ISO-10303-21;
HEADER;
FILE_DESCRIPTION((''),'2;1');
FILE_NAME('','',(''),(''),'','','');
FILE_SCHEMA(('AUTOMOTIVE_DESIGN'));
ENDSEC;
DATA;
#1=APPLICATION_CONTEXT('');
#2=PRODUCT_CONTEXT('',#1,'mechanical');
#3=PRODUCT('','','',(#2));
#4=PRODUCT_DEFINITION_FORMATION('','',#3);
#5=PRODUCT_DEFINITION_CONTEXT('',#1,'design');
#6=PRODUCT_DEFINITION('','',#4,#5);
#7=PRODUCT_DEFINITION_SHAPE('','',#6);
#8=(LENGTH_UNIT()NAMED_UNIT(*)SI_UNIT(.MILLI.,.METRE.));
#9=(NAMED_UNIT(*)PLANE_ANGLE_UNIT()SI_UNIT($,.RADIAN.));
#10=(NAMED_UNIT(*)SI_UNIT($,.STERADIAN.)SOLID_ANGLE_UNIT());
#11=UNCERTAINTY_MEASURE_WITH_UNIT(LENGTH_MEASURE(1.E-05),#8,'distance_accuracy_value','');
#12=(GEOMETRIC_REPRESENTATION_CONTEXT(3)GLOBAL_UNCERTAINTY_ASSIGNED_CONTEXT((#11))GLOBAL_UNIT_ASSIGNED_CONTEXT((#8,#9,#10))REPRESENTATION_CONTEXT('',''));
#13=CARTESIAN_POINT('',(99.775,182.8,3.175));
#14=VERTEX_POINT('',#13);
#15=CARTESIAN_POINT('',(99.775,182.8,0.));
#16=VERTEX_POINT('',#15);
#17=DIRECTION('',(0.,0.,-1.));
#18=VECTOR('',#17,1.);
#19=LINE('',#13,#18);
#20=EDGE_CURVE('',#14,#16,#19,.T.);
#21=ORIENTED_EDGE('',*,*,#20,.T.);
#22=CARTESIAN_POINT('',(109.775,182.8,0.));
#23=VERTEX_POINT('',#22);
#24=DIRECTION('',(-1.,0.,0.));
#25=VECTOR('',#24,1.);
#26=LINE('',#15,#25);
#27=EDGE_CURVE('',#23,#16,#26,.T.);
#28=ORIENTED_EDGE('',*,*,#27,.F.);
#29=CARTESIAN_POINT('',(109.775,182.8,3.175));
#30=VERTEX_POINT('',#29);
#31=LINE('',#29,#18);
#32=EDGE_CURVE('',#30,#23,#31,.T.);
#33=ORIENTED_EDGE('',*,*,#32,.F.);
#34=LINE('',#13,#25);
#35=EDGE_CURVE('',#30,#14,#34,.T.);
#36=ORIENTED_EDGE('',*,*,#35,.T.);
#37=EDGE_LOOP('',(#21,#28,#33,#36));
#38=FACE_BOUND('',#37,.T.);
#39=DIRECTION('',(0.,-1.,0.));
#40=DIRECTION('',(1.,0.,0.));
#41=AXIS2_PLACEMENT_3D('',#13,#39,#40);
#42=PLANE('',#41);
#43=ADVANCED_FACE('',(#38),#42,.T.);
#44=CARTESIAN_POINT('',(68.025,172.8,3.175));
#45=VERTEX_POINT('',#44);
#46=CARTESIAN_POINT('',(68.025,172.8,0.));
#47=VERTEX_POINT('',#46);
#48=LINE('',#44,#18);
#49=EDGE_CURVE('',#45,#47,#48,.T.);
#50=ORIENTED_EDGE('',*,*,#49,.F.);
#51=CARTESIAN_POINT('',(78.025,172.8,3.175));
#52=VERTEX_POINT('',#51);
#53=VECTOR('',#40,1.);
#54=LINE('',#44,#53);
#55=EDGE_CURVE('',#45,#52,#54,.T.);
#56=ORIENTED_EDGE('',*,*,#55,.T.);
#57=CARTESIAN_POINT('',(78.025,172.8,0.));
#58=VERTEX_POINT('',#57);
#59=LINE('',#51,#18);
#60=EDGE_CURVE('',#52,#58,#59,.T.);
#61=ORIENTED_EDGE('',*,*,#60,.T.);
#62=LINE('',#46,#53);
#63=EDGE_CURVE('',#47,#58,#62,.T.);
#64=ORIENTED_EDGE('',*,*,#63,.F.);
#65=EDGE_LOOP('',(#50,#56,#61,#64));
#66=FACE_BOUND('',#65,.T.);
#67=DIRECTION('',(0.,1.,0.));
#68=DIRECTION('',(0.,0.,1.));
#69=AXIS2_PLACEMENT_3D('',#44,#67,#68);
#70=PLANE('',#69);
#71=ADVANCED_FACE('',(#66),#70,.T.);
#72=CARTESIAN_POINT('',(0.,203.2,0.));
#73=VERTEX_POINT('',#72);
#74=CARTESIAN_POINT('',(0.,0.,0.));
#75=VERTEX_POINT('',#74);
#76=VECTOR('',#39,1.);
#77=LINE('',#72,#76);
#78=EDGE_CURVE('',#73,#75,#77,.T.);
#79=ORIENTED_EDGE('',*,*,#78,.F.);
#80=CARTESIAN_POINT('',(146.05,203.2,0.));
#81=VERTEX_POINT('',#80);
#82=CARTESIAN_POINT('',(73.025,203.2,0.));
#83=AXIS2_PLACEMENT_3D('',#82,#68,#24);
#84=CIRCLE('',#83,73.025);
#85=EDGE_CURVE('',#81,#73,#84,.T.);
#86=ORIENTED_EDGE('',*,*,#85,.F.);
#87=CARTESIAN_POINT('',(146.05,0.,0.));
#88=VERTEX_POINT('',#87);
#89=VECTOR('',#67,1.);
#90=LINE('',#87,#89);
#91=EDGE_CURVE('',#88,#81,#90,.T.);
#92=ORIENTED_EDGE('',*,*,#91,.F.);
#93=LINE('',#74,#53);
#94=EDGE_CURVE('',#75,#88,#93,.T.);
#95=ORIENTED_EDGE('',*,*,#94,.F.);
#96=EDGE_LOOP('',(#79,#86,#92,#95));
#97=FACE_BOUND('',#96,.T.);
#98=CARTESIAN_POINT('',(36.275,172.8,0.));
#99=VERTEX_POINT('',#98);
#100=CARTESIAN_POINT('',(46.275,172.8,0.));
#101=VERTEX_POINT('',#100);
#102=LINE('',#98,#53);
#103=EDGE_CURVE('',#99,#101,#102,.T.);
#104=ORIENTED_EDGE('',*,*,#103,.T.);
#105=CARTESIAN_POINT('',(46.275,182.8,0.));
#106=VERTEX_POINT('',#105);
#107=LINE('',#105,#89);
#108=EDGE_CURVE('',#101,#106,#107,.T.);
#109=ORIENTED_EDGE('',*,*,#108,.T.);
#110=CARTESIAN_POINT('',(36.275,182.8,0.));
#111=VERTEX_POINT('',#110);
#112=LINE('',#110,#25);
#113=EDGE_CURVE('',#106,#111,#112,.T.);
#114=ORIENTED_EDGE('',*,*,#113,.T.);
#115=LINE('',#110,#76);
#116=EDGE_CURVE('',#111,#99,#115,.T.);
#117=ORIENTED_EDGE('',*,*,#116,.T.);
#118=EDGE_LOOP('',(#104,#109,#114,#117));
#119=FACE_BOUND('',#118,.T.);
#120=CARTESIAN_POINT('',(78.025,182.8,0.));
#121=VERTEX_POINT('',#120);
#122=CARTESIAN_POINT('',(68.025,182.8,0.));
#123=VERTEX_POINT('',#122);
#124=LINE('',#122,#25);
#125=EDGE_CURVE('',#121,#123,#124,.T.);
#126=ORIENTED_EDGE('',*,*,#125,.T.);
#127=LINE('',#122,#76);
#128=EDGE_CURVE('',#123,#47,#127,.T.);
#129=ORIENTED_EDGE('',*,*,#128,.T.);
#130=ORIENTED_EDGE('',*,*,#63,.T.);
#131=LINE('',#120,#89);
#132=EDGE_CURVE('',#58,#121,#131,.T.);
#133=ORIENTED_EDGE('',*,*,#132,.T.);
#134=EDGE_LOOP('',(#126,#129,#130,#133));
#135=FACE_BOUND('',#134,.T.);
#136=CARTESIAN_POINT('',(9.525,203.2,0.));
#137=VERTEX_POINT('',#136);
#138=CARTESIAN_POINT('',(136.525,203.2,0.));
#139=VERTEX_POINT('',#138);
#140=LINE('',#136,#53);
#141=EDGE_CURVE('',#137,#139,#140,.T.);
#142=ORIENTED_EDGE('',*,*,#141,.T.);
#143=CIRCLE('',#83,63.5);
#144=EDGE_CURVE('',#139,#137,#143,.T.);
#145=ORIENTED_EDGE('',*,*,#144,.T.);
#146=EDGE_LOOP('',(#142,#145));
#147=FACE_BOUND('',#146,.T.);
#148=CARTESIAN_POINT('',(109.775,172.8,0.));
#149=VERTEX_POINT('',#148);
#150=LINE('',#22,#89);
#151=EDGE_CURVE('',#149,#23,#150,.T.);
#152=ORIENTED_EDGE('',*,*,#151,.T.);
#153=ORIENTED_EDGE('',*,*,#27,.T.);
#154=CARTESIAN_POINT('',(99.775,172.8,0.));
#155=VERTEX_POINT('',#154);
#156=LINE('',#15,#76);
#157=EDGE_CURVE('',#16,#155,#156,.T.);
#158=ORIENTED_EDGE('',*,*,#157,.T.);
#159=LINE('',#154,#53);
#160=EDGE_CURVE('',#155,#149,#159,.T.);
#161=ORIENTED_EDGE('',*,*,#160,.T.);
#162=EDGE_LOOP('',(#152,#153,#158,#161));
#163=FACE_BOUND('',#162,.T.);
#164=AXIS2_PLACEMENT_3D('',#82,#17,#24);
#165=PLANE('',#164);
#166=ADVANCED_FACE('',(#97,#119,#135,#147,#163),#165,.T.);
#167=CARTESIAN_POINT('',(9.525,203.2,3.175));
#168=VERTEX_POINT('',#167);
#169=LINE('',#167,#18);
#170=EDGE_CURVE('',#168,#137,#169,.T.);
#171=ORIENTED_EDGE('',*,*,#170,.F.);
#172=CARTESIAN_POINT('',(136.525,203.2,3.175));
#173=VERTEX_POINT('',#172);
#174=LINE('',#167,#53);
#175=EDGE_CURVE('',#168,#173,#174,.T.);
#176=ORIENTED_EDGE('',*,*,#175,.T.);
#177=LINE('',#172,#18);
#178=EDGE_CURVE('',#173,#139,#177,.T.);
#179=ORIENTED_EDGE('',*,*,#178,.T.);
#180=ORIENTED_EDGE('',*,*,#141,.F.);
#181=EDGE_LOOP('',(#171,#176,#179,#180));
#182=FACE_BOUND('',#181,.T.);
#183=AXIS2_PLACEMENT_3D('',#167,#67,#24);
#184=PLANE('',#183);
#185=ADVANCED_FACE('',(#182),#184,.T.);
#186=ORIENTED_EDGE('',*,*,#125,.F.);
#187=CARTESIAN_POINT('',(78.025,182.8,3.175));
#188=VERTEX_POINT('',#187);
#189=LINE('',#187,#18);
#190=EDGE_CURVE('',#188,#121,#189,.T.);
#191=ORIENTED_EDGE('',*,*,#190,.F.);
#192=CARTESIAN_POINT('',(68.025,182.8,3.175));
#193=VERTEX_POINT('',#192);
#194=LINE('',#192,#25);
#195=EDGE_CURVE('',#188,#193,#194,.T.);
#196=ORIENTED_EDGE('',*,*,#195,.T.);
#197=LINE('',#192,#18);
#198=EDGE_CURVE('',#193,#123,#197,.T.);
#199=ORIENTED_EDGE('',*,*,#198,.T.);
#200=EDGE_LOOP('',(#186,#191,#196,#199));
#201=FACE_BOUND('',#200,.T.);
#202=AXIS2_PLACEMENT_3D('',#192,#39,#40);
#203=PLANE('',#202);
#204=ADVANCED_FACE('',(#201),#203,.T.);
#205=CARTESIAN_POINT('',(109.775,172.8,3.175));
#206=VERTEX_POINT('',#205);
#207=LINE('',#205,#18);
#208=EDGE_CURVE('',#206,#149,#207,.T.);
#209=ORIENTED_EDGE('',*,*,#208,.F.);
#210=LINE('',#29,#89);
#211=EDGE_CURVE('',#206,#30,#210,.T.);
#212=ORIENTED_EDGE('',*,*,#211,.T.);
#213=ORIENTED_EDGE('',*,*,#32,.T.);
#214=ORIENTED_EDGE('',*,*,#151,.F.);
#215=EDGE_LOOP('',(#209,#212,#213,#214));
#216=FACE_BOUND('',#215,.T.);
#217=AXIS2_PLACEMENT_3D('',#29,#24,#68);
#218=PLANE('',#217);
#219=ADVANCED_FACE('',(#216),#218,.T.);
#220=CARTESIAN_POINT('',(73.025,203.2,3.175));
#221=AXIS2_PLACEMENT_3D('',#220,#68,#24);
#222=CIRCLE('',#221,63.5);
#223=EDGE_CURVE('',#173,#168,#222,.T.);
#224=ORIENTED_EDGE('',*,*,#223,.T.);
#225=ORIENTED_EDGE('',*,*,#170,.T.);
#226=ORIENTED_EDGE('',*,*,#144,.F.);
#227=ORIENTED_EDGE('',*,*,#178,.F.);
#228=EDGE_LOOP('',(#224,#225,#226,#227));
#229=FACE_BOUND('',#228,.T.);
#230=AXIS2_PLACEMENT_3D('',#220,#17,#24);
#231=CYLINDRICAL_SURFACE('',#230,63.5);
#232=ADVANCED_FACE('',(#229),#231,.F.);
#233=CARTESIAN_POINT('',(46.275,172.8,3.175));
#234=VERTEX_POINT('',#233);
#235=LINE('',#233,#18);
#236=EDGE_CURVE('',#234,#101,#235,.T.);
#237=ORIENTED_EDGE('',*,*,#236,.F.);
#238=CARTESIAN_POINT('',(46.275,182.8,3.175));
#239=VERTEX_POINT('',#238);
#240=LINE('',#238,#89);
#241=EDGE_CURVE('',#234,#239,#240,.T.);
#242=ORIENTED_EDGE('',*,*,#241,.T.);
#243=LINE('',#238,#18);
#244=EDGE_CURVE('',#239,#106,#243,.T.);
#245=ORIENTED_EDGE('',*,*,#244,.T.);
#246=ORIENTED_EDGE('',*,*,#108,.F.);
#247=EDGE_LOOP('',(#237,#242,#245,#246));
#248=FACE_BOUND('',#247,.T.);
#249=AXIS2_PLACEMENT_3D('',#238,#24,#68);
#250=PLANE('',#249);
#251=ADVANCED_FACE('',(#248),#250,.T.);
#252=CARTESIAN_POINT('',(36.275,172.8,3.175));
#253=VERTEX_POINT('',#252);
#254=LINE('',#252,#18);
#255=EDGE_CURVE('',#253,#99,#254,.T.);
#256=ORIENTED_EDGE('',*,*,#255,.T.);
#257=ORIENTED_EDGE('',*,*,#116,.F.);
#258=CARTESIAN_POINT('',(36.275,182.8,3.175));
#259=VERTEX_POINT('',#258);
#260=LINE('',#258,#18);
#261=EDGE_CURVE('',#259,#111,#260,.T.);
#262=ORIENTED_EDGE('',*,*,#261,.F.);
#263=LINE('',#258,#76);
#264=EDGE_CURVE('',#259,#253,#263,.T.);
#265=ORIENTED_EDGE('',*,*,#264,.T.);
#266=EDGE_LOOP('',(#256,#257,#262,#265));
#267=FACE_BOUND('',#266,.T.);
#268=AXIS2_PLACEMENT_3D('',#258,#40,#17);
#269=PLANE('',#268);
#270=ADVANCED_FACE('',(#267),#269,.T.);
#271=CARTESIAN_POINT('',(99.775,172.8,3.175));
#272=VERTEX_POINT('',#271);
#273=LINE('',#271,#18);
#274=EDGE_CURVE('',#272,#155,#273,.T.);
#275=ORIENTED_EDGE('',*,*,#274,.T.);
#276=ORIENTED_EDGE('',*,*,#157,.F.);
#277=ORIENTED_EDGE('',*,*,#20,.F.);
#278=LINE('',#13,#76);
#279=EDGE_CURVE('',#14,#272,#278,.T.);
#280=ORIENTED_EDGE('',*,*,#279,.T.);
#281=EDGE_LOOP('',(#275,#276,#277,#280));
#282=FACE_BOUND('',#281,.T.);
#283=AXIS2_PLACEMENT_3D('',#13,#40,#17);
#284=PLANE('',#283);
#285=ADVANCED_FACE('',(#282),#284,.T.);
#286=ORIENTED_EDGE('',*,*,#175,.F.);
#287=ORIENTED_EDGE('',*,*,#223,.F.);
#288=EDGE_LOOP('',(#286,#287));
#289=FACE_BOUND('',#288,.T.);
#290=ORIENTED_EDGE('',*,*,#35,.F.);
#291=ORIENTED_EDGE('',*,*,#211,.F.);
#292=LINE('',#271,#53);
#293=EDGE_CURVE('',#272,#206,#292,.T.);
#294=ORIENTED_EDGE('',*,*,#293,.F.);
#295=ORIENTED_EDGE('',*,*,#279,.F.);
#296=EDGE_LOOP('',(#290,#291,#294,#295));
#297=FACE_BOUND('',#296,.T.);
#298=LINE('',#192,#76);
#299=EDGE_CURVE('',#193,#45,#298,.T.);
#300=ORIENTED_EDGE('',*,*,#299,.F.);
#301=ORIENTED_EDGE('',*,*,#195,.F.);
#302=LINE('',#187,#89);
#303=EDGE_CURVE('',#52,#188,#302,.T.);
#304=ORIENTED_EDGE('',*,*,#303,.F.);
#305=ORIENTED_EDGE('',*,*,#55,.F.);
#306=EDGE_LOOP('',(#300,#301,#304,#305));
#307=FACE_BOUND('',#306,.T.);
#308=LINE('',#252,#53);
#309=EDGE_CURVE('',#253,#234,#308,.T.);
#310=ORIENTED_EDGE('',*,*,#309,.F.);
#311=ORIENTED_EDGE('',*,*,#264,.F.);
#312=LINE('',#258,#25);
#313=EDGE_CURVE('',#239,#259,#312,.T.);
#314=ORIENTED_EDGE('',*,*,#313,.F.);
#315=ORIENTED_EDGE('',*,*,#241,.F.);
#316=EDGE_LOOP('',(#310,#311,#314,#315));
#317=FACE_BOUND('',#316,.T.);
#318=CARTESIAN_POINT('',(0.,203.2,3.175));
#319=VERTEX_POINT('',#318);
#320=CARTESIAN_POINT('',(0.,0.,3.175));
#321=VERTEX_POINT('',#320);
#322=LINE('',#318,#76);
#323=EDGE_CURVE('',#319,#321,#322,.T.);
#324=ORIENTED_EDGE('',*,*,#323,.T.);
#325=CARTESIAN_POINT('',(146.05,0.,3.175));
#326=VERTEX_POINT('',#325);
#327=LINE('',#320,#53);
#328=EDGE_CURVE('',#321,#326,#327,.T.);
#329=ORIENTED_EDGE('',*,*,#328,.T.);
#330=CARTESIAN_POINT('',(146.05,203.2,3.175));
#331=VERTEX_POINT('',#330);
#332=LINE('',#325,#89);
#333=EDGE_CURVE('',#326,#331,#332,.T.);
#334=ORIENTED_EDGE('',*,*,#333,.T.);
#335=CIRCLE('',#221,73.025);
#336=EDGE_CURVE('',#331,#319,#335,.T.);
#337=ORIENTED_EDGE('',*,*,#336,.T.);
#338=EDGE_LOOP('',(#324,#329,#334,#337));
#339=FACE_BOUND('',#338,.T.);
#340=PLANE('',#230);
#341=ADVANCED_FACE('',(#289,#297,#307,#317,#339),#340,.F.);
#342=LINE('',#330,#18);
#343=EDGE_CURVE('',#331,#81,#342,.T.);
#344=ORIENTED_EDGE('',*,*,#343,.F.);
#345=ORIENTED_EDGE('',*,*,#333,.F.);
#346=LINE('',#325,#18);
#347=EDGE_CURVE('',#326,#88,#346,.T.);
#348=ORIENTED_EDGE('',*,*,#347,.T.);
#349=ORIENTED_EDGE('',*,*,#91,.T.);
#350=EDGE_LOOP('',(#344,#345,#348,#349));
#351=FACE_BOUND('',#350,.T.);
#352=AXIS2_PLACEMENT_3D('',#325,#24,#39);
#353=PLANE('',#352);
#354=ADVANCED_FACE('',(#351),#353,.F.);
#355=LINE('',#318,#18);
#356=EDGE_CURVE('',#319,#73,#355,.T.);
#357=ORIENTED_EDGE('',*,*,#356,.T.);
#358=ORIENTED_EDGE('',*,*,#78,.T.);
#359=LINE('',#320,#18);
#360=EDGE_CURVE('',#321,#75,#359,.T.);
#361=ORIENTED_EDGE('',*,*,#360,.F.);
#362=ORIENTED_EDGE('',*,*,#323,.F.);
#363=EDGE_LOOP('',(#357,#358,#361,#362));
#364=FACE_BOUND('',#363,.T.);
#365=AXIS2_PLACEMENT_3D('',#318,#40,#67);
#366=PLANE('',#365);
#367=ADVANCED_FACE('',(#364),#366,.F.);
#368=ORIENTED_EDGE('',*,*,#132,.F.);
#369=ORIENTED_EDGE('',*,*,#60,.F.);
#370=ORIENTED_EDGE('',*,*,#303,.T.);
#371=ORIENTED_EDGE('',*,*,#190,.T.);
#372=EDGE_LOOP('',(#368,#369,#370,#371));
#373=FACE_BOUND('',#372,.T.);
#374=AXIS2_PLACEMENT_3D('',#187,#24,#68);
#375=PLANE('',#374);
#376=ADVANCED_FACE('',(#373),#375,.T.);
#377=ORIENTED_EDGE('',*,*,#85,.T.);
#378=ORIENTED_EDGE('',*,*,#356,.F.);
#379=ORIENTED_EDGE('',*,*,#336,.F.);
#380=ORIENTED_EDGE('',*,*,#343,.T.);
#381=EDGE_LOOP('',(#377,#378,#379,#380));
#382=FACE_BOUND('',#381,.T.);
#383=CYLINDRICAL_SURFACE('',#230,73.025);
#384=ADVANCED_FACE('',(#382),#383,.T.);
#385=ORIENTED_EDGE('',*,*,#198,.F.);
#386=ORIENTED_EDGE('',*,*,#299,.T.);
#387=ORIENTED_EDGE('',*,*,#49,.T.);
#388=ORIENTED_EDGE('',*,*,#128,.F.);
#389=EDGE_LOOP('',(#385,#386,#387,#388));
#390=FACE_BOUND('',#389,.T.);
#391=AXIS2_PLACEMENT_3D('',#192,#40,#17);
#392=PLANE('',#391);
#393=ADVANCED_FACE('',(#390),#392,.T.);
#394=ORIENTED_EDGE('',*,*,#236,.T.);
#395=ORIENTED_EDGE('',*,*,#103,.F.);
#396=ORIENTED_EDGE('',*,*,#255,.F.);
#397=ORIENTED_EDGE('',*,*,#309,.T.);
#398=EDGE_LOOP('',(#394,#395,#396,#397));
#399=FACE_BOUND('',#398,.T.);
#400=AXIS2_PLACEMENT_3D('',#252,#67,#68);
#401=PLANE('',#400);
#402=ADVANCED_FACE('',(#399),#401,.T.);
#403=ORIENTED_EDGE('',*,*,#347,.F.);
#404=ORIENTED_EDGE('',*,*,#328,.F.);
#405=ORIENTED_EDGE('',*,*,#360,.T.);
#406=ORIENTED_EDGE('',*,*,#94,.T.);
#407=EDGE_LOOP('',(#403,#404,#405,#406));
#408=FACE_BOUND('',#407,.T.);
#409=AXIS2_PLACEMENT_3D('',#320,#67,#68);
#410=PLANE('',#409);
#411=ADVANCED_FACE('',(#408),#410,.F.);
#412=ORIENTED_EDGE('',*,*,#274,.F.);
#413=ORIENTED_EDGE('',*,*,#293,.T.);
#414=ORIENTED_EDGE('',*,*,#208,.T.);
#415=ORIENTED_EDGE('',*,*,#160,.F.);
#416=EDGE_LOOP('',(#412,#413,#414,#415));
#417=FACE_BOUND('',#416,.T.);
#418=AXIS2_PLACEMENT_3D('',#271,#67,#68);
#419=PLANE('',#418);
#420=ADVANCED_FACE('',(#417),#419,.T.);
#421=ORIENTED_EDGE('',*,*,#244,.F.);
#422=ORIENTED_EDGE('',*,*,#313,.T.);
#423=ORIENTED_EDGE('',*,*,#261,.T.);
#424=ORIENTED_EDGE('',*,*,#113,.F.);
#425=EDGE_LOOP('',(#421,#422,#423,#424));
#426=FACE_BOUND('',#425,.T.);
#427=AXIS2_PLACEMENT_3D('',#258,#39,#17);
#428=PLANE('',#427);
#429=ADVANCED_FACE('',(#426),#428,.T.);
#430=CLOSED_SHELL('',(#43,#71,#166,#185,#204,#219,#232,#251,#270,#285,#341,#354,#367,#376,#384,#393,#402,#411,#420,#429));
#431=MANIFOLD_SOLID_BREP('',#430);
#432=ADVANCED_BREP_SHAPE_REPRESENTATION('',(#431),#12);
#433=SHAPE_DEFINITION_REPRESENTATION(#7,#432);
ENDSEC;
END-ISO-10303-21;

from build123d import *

# Parameters (mm, degrees)
SKETCH2_W           = 10
SKETCH2_H           = 10
BOSS_EXTRUDE5_DEPTH = 3.175


with BuildPart() as part:
    # Sketch2 → Boss-Extrude5 (new body)
    with BuildSketch(Plane.XY):
        with BuildLine():
            Line((0, 0), (146.05, 0))
            Line((146.05, 0), (146.05, 203.2))
            ThreePointArc((146.05, 203.2), (73.025, 276.225), (0, 203.2))
            Line((0, 203.2), (0, 0))
        make_face()
        with BuildLine():
            Line((9.525, 203.2), (136.525, 203.2))
            ThreePointArc((136.525, 203.2), (73.025, 266.7), (9.525, 203.2))
        make_face(mode=Mode.SUBTRACT)
        with Locations((41.275, 177.8)):
            Rectangle(SKETCH2_W, SKETCH2_H, mode=Mode.SUBTRACT)
        with Locations((73.025, 177.8)):
            Rectangle(SKETCH2_W, SKETCH2_H, mode=Mode.SUBTRACT)
        with Locations((104.775, 177.8)):
            Rectangle(SKETCH2_W, SKETCH2_H, mode=Mode.SUBTRACT)
    extrude(amount=BOSS_EXTRUDE5_DEPTH)


solid = part.part
